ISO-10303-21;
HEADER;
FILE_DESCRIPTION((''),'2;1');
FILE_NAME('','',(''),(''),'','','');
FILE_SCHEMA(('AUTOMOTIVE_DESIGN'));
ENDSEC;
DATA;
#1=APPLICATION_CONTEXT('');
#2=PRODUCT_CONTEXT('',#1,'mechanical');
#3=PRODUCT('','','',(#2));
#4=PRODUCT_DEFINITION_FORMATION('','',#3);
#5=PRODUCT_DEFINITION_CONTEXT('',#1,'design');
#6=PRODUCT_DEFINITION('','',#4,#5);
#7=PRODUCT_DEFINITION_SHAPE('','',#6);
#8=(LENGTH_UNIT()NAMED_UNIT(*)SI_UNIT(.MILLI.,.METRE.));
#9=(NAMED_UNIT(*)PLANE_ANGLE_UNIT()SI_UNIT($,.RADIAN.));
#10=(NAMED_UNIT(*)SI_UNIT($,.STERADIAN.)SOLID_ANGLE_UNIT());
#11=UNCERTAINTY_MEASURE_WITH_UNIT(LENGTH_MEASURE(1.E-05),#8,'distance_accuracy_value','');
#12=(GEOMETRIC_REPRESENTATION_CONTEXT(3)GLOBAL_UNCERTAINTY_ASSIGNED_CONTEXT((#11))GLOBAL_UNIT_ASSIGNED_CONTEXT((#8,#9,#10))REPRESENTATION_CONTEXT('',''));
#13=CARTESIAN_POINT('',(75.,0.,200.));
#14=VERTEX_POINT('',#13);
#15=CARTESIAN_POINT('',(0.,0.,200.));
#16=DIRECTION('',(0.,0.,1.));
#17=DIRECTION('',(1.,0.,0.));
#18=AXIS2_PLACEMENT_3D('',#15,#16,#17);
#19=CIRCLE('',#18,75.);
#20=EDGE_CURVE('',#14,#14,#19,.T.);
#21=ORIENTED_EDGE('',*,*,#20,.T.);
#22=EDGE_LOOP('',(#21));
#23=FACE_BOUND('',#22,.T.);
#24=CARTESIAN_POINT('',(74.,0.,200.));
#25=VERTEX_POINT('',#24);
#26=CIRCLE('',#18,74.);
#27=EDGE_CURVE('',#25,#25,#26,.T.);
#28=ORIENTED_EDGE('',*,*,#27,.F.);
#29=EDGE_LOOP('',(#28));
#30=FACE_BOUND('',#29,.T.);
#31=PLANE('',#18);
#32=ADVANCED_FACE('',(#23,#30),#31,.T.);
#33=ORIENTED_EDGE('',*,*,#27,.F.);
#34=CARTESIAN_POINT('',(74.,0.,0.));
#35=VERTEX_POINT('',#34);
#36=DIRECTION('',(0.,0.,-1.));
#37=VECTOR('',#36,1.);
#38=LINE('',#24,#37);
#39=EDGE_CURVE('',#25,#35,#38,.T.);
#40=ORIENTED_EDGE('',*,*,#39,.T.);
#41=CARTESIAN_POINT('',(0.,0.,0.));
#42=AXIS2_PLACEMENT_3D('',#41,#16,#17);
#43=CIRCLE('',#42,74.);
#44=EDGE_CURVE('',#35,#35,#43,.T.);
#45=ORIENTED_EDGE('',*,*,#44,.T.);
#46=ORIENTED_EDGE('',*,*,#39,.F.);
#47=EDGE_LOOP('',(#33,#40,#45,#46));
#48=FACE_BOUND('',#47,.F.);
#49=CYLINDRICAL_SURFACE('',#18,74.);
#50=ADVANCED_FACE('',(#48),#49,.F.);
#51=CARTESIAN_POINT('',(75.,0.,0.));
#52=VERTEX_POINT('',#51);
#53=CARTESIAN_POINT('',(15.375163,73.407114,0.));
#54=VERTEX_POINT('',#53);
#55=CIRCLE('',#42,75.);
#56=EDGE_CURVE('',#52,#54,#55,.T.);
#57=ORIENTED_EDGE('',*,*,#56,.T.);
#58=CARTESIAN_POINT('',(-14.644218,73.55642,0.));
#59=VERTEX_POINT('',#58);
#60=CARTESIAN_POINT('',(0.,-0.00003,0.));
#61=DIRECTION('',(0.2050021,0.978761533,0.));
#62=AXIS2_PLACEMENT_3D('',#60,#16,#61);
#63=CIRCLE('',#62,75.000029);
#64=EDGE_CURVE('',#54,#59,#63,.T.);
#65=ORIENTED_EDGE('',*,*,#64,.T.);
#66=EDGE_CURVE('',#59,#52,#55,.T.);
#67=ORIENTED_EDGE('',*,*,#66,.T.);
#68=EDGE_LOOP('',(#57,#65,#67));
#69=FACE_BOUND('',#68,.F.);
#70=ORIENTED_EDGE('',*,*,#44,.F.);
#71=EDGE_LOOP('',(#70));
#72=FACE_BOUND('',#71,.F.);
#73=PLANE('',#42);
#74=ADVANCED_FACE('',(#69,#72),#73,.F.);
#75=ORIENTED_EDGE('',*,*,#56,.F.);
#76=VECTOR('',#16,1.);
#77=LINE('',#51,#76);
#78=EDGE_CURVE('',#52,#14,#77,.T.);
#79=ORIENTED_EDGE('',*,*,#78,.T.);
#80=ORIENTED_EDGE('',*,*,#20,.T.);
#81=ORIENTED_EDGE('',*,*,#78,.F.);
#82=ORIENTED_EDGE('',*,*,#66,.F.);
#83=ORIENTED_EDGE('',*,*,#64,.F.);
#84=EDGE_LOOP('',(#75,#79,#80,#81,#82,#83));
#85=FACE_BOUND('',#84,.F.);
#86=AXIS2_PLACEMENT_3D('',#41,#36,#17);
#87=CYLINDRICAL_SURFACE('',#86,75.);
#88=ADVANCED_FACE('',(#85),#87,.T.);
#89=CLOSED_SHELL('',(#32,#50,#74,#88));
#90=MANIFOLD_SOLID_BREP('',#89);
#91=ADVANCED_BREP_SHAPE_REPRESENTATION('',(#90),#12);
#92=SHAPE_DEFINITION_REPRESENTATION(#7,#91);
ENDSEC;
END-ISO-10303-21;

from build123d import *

# Parameters (mm, degrees)
F0_R     = 75
F2_DEPTH = 200
F3_R     = 74
F4_DEPTH = 200
F5_DEPTH = 200


with BuildPart() as f2:
    # F0 (on Top) → F2 (new body)
    with BuildSketch(Plane.XY):
        Circle(F0_R)
    extrude(amount=F2_DEPTH)

    # F3 (on face) → F4 (cut)
    with BuildSketch(Plane.XY.offset(200)):
        Circle(F3_R)
    extrude(amount=-F4_DEPTH, mode=Mode.SUBTRACT)

    # F1 (on face) → F5 (cut)
    with BuildSketch(Plane.XY):
        with BuildLine():
            ThreePointArc((15.375163, 73.407114), (0.373019, 74.999072), (-14.644218, 73.55642))
            Line((-14.644218, 73.55642), (-14.644218, 72.327003))
            Line((-14.644218, 72.327003), (15.387964, 72.327003))
            Line((15.387964, 72.327003), (15.375163, 73.407114))
        make_face()
    extrude(amount=-F5_DEPTH, mode=Mode.SUBTRACT)


solid = f2.part
